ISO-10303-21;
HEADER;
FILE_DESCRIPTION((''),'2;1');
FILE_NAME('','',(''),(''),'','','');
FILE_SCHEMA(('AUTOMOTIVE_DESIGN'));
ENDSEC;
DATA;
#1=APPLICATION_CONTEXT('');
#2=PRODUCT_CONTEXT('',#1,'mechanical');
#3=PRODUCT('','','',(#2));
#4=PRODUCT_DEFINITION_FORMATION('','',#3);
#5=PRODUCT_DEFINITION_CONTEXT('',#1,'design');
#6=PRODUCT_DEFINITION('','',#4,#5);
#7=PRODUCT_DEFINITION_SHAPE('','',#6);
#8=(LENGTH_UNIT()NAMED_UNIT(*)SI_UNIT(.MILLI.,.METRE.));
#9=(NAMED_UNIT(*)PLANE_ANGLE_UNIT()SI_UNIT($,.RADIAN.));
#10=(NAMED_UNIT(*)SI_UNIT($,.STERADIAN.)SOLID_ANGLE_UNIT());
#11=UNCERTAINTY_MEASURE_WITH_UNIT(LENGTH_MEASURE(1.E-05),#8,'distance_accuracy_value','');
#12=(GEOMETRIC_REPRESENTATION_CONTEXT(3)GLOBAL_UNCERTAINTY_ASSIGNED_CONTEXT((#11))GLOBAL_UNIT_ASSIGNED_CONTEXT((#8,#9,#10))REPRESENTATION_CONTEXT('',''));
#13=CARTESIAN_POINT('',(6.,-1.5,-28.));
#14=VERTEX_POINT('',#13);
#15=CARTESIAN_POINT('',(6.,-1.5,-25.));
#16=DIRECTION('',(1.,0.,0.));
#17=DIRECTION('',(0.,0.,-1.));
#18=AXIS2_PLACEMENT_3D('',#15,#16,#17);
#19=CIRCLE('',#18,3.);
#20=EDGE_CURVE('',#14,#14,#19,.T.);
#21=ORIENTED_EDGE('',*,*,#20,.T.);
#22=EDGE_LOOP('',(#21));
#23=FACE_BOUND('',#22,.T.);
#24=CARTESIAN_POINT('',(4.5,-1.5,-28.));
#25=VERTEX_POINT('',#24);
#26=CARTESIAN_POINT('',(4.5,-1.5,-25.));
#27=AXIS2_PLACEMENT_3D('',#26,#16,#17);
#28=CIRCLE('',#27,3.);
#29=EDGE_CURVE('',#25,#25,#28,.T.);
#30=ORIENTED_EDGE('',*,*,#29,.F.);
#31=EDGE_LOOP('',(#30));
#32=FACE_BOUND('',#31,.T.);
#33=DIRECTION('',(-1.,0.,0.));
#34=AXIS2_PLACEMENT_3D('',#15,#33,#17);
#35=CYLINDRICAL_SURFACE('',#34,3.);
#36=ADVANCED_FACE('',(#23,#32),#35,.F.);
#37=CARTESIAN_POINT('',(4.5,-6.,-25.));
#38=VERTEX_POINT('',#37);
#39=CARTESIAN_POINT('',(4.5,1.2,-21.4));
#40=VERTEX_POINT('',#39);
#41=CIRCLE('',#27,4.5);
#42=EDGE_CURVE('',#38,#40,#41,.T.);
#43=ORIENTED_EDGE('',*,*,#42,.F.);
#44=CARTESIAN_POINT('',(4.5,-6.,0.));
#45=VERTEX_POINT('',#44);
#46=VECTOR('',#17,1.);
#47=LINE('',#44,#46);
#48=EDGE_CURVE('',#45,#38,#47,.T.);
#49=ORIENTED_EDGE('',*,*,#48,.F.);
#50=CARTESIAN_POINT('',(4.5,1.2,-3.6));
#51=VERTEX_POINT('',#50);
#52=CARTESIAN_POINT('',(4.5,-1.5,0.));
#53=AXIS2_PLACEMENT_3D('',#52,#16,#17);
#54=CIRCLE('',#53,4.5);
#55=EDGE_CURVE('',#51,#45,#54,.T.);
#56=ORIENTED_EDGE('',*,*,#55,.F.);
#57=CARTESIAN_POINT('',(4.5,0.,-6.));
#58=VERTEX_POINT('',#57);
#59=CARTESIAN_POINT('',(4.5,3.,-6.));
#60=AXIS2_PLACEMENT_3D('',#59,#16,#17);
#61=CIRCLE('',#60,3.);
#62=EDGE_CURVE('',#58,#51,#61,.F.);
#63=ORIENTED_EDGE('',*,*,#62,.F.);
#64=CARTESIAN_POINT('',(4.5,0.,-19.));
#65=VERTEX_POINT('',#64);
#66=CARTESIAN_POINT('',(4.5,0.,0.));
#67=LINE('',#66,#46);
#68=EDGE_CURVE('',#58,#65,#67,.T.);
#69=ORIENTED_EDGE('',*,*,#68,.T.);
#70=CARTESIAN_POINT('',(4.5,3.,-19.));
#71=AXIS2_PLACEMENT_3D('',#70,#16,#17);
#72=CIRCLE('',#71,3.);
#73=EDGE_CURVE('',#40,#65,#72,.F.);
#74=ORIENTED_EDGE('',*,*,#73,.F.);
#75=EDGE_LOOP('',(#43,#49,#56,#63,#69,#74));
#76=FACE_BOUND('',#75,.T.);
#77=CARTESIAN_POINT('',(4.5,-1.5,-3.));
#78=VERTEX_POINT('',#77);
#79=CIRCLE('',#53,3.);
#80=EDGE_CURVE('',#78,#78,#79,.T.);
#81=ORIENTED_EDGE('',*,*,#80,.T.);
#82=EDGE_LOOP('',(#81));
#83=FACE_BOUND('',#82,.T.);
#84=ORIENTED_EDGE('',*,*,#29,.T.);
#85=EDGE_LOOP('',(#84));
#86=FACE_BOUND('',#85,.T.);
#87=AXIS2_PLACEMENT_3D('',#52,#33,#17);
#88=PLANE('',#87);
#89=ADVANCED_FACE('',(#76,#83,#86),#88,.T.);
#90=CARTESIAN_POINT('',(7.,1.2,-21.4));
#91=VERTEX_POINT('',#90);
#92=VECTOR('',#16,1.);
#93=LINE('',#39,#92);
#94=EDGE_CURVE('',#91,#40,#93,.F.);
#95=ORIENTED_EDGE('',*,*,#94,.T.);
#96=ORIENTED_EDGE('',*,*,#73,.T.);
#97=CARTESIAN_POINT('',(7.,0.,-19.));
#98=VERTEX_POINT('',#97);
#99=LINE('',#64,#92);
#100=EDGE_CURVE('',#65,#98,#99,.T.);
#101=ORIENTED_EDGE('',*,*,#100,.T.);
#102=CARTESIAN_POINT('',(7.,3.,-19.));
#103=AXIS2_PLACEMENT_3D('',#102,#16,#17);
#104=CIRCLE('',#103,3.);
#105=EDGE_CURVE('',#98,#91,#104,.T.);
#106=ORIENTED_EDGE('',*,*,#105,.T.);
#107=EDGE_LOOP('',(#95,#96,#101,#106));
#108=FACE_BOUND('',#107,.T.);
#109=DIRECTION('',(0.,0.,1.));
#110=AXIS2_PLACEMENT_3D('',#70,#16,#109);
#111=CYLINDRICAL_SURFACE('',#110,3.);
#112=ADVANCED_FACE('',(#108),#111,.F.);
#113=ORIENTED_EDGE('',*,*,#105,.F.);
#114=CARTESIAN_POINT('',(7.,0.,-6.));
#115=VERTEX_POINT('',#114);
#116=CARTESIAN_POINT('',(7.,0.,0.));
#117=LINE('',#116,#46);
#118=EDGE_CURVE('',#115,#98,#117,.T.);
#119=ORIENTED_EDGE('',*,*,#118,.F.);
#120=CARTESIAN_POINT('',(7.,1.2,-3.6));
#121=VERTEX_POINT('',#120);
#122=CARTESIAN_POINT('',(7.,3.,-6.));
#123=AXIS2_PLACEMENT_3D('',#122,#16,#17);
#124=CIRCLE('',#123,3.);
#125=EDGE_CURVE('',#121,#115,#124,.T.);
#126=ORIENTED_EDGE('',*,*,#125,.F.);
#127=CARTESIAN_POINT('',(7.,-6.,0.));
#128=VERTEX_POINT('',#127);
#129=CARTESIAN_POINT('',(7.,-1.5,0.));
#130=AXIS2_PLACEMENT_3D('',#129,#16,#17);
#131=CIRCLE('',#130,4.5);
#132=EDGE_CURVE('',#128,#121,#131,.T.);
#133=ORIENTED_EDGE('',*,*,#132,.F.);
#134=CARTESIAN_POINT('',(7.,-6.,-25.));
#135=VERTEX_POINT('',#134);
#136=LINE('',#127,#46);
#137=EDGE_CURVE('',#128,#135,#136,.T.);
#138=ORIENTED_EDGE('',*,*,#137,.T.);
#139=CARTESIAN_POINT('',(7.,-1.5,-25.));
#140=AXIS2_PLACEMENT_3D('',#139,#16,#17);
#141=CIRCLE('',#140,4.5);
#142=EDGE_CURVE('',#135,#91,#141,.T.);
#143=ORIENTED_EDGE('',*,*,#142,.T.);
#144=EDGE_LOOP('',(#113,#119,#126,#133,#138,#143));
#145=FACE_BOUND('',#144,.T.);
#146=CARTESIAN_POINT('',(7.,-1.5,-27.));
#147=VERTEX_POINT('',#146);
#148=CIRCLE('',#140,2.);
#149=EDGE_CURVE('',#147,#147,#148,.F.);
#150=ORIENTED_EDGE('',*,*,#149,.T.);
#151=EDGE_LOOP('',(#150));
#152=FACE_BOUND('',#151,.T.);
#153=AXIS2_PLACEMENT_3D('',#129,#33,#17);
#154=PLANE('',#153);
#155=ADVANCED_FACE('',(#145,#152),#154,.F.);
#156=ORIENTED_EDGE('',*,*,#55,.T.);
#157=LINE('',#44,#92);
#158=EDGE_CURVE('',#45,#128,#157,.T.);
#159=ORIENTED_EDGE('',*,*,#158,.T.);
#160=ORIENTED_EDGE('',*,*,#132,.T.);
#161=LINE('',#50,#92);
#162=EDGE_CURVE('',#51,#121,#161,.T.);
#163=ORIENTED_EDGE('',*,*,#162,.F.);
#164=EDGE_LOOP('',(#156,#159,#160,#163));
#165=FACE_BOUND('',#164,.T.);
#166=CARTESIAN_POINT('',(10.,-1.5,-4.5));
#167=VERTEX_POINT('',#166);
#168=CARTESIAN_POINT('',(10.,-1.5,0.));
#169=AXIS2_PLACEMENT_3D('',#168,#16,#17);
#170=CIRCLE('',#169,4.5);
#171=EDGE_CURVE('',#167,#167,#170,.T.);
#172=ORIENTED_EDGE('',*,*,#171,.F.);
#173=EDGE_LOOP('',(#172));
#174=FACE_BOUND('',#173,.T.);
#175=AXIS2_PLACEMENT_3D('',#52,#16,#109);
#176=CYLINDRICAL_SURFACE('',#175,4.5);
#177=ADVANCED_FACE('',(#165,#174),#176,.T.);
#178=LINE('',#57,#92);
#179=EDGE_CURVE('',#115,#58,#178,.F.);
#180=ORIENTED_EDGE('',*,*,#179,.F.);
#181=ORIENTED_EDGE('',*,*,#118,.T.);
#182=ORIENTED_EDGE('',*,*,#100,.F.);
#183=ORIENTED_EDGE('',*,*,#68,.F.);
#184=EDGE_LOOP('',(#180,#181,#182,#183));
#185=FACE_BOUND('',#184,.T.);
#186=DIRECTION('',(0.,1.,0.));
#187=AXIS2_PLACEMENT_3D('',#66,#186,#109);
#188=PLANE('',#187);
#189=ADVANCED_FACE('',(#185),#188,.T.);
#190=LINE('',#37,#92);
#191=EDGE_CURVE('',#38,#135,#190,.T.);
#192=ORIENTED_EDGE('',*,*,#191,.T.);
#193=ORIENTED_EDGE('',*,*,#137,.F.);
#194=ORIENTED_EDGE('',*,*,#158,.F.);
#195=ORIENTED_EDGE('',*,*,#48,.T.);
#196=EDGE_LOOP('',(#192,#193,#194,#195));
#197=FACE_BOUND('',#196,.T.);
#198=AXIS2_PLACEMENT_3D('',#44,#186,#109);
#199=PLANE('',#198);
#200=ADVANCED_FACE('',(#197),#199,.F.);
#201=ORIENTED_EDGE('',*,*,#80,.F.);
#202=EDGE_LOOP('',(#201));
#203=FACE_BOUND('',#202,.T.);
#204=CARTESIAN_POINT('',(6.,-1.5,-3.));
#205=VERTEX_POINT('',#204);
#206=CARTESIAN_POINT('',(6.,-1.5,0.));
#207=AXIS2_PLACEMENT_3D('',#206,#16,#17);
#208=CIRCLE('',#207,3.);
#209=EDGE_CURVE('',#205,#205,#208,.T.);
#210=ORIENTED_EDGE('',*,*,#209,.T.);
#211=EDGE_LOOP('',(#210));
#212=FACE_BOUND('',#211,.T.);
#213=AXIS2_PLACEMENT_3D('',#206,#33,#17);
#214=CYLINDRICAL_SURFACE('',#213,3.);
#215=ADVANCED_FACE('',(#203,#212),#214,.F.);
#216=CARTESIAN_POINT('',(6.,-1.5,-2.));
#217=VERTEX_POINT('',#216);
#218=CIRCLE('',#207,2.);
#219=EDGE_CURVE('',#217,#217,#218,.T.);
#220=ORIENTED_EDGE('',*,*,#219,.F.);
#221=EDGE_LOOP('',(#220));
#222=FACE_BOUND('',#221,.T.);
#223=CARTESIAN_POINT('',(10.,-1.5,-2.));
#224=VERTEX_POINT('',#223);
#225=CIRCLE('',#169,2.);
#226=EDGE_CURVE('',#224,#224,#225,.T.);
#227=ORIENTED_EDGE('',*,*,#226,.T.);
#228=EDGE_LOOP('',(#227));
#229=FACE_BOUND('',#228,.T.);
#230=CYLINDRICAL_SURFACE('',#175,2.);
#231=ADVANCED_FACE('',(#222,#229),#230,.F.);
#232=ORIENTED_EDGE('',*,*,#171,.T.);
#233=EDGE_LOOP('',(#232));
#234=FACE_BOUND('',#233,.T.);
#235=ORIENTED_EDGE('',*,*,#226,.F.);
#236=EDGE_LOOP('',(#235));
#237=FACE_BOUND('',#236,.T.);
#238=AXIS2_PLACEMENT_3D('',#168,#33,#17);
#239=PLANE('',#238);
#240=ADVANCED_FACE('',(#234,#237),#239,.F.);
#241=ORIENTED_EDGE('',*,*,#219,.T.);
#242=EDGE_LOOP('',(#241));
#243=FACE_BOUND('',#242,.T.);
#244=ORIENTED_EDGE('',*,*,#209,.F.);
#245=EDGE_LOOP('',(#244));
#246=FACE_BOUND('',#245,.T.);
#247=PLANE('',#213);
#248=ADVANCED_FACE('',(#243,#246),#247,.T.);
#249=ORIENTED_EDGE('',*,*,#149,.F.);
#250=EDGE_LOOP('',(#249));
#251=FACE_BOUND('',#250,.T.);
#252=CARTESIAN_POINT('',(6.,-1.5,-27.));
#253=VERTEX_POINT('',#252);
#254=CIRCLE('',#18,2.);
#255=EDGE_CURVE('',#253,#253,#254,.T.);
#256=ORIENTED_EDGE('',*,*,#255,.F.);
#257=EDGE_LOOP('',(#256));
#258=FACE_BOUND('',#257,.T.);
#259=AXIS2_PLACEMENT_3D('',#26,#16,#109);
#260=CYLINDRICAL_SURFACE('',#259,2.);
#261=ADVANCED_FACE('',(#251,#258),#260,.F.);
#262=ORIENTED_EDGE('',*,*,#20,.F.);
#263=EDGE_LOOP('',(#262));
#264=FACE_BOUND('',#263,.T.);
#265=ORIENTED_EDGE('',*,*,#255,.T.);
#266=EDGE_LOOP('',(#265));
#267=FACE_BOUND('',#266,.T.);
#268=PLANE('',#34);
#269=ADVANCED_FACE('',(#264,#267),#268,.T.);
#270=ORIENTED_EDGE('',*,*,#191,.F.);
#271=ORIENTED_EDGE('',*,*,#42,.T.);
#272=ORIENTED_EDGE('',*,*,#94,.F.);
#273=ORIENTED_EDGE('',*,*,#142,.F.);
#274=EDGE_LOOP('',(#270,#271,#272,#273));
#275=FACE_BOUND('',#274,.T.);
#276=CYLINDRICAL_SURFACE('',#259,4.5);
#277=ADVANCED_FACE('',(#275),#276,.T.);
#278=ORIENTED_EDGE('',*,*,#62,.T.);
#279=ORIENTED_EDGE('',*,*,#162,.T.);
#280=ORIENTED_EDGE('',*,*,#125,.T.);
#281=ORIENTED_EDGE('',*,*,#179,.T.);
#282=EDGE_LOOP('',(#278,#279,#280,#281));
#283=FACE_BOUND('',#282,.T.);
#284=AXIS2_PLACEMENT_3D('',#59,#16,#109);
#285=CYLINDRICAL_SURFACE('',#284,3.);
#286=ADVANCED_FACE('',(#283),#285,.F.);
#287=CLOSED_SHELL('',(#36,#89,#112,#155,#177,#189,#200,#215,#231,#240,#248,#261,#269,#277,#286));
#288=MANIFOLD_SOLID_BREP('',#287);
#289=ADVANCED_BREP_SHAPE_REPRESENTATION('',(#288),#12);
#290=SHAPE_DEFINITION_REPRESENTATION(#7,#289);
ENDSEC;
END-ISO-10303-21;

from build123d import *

# Parameters (mm, degrees)
SKETCH_1_R               = 4.5
SKETCH_1_W               = 25
SKETCH_1_H               = 6
EXTRUDE_1_DEPTH          = 2.5
EXTRUDE_START            = -3
SKETCH_1_5_R             = 4.5
EXTRUDE_3_DEPTH          = 3
CUT_EXTRUDE_2_DEPTH      = 31.253099015
CUT_EXTRUDE_2_DEPTH_BACK = 31.253099015
SKETCH_1_4_R             = 2
FILLET_1_R               = 3
SKETCH_2_R               = 3
CUT_EXTRUDE_3_DEPTH      = 1.5
SKETCH_3_W               = 41.902473513
SKETCH_3_H               = 17.131219194
CUT_EXTRUDE_4_DEPTH      = 31.797727189


with BuildPart() as part:
    # 草图1 → 凸台-拉伸1 (new body)
    with BuildSketch(Plane(origin=(0, 0, 0), x_dir=(0, 0, -1), z_dir=(1, 0, 0))):
        with Locations((0, -1.5)):
            Circle(SKETCH_1_R)
        with Locations((25, -1.5)):
            Circle(SKETCH_1_R)
        with Locations((12.5, -3)):
            Rectangle(SKETCH_1_W, SKETCH_1_H)
    extrude(amount=EXTRUDE_1_DEPTH)

    # 草图1<5> → 凸台-拉伸3 (add)
    with BuildSketch(Plane(origin=(0, 0, 0), x_dir=(0, 0, -1), z_dir=(1, 0, 0)).offset(EXTRUDE_START)):
        with Locations((0, -1.5)):
            Circle(SKETCH_1_5_R)
    extrude(amount=EXTRUDE_3_DEPTH)

    # 草图1<4> → 切除-拉伸2 (cut, two sides: drawn at the far end of the back side and taken through both)
    with BuildSketch(Plane(origin=(0, 0, 0), x_dir=(0, 0, -1), z_dir=(1, 0, 0)).offset(-CUT_EXTRUDE_2_DEPTH_BACK)):
        with Locations((0, -1.5)):
            Circle(SKETCH_1_4_R)
        with Locations((25, -1.5)):
            Circle(SKETCH_1_4_R)
    extrude(amount=CUT_EXTRUDE_2_DEPTH + CUT_EXTRUDE_2_DEPTH_BACK, mode=Mode.SUBTRACT)

    # 圆角1
    fillet_1_edges = [part.edges().sort_by_distance(p)[0] for p in [
        (1.25, 0, -20.757359313),
        (1.25, 0, -4.242640687),
    ]]
    fillet(fillet_1_edges, radius=FILLET_1_R)

    # 草图2 → 切除-拉伸3 (cut)
    with BuildSketch(Plane(origin=(2.5, 0, 0), x_dir=(0, 0, -1), z_dir=(1, 0, 0))):
        with Locations((0, -1.5)):
            Circle(SKETCH_2_R)
        with Locations((25, -1.5)):
            Circle(SKETCH_2_R)
    extrude(amount=-CUT_EXTRUDE_3_DEPTH, mode=Mode.SUBTRACT)


with BuildPart() as body_2:
    # 镜向2: mirrored copy
    add(part.part.mirror(Plane(origin=(3.5, 0, 0), x_dir=(0, 0, 1), z_dir=(1, 0, 0))))


with BuildPart() as part_1:
    add(part.part)

    # 草图3 → 切除-拉伸4 (cut, through all)
    with BuildSketch(Plane(origin=(3.5, 0, 0), x_dir=(0, 0, -1), z_dir=(1, 0, 0))):
        with Locations((12.668553329, -1.632419341)):
            Rectangle(SKETCH_3_W, SKETCH_3_H)
    extrude(amount=-CUT_EXTRUDE_4_DEPTH, mode=Mode.SUBTRACT)


solid = body_2.part
